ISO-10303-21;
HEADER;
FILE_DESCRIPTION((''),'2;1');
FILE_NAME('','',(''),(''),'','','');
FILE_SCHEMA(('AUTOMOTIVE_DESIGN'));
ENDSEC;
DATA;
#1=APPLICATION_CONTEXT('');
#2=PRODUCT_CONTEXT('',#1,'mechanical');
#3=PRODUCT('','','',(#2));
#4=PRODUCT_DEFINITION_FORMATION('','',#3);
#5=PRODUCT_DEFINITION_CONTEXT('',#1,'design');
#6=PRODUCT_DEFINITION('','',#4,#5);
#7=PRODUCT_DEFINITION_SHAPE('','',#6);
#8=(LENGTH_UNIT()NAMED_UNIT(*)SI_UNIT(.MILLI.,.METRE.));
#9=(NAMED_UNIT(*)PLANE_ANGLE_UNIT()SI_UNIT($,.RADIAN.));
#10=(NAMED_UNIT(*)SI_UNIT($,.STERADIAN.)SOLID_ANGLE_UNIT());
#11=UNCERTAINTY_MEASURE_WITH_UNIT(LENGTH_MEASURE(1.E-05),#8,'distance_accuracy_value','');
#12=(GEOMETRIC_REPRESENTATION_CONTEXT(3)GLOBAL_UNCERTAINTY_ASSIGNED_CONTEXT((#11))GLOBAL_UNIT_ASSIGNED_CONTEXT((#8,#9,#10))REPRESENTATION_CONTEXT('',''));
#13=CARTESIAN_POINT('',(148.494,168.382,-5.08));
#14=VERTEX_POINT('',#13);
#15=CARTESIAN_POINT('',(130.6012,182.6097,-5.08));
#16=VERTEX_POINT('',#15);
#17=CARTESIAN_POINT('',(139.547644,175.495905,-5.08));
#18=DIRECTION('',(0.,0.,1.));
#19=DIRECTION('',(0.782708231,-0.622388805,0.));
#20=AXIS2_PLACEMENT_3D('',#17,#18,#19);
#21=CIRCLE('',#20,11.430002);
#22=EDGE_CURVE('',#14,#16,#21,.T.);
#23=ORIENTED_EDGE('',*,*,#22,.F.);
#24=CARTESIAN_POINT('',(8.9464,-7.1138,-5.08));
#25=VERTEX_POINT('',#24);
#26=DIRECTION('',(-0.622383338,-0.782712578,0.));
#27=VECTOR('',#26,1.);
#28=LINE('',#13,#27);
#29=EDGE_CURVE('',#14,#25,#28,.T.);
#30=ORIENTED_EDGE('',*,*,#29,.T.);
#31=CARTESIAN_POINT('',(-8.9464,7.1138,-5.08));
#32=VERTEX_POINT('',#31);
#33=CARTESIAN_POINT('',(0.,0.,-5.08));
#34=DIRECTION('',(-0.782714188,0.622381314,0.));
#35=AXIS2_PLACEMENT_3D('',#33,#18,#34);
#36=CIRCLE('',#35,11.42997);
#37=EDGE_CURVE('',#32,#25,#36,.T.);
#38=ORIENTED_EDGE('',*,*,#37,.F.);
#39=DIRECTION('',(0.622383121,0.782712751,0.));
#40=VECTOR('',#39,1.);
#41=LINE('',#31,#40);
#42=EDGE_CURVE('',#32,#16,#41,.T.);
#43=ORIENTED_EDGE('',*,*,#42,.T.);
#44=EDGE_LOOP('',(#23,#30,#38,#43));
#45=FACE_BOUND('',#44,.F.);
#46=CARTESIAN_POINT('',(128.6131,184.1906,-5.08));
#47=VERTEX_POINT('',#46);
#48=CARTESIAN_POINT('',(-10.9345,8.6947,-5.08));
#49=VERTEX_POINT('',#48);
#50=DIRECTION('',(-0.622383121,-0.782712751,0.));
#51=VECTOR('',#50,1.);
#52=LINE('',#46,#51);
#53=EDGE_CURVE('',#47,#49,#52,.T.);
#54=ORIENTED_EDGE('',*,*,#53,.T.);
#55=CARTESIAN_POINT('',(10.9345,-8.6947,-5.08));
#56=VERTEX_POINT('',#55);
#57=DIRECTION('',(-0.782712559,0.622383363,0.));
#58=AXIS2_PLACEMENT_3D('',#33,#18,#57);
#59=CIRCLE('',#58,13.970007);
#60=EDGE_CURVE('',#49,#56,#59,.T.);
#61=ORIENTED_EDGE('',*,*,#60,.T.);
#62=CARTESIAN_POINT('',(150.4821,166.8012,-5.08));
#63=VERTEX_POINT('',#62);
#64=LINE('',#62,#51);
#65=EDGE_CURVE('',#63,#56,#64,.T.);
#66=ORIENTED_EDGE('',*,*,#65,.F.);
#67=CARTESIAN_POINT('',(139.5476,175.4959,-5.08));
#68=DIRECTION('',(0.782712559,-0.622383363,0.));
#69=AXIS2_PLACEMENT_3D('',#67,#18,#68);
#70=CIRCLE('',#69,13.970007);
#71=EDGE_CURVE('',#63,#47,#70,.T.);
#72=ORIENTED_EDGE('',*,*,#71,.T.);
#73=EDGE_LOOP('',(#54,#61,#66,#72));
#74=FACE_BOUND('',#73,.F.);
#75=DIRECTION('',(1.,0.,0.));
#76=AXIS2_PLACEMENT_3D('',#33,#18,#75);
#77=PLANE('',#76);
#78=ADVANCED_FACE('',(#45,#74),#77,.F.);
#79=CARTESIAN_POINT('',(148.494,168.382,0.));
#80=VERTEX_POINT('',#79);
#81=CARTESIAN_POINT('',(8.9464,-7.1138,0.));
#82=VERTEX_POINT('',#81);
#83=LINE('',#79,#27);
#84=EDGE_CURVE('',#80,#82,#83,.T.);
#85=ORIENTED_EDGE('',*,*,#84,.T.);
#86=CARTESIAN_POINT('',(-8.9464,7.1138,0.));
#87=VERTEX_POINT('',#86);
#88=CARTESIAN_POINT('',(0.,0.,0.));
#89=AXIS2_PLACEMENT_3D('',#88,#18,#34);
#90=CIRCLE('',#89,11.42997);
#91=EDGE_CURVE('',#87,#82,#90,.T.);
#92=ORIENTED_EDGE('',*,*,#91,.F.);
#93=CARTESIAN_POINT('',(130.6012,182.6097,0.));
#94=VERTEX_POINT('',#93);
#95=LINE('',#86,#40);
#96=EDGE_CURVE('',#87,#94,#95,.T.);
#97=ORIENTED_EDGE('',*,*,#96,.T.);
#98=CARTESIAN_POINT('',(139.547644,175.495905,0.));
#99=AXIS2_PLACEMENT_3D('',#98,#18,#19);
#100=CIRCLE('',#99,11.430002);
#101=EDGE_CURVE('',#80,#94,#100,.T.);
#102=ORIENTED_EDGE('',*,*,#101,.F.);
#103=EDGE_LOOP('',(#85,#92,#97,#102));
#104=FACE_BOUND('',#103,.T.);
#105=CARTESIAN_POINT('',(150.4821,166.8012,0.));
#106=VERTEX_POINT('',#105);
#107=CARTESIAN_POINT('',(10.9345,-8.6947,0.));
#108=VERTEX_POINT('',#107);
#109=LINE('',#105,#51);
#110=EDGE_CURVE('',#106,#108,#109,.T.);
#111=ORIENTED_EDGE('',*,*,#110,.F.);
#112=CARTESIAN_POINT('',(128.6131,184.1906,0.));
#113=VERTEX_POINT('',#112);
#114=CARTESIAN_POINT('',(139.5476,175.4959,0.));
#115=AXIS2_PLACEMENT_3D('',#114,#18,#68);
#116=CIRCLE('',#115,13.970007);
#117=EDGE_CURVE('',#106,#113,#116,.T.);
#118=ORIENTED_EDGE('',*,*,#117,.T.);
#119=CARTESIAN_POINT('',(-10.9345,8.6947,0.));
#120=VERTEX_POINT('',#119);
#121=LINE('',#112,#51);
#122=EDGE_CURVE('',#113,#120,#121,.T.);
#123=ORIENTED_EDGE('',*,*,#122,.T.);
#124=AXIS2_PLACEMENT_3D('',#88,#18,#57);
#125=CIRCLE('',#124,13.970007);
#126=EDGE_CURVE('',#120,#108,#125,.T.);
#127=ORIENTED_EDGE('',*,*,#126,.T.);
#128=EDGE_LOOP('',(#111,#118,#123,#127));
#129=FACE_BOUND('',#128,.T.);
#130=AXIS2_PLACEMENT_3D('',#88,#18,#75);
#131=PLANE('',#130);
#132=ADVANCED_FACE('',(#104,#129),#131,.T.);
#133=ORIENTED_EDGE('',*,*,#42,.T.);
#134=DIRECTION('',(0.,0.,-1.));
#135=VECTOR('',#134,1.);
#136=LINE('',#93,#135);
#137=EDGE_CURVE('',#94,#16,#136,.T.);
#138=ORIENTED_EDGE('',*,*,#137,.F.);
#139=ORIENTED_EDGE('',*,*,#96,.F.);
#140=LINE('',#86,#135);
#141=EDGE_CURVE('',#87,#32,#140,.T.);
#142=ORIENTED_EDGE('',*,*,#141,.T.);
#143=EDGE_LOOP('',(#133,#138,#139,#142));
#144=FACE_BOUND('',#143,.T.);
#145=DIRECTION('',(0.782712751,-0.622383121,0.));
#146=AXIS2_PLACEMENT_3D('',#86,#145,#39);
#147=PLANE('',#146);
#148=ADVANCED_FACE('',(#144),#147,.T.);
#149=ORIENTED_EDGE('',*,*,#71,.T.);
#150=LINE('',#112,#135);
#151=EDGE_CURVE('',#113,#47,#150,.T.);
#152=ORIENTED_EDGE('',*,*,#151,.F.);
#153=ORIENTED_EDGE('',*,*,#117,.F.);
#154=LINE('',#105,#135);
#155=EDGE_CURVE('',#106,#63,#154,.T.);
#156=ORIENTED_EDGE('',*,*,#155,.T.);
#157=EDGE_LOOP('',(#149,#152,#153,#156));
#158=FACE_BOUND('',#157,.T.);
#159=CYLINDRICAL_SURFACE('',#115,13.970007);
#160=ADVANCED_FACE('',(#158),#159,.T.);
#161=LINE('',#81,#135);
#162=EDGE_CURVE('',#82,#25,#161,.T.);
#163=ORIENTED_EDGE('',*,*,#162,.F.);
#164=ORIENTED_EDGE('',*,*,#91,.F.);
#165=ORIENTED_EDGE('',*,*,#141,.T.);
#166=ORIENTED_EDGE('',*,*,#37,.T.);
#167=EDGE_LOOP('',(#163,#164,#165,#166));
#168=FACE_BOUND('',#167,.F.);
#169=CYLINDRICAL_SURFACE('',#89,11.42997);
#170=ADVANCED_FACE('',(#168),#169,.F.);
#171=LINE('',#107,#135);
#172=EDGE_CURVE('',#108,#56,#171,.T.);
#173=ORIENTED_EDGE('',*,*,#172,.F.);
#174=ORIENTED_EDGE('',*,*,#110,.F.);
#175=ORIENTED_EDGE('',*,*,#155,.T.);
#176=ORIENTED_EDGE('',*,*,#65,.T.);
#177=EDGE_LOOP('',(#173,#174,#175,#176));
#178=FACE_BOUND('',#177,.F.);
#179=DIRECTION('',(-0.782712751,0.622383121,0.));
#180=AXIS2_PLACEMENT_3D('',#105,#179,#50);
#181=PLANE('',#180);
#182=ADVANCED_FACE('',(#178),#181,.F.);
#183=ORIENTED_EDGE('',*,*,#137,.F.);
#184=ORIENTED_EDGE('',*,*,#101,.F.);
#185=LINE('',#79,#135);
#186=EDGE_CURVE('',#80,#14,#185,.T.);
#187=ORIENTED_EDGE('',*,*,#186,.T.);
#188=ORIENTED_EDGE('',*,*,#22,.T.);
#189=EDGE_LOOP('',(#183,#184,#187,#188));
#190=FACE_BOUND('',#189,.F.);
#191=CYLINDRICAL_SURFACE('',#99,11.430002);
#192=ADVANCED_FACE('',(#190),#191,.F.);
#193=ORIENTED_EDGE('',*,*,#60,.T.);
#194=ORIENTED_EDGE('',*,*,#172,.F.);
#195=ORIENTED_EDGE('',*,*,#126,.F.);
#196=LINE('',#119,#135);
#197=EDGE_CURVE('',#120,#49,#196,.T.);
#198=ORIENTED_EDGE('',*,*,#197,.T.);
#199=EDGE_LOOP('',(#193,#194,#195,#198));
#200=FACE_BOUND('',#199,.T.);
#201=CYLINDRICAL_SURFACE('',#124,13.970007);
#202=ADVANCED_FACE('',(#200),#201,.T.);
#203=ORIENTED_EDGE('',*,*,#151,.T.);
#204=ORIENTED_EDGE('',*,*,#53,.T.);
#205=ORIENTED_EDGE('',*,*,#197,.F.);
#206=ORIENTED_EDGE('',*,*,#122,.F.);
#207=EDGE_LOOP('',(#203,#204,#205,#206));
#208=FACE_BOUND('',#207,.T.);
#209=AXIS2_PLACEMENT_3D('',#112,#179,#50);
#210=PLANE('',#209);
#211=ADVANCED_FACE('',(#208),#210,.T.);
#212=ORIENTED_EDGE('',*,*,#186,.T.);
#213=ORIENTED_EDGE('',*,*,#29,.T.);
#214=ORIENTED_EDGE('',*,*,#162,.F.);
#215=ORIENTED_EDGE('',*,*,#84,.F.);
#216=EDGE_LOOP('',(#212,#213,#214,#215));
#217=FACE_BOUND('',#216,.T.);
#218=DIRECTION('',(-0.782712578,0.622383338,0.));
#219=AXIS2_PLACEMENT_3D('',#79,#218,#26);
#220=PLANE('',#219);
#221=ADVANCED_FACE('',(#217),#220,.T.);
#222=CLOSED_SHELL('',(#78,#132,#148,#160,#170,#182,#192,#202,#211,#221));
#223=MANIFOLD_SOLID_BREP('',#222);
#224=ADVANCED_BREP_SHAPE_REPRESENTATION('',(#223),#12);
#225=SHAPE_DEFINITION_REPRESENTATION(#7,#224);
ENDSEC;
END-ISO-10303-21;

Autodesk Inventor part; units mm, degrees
ref_plane "YZ Plane" through (0, 0, 0) normal (1, 0, 0) x (0, 1, 0)
ref_plane "XZ Plane" through (0, 0, 0) normal (0, 1, 0) x (-1, 0, 0)
ref_plane "XY Plane" through (0, 0, 0) normal (0, 0, 1) x (1, 0, 0)
sketch "Sketch1" plane through (0, 0, 0) normal (0, 0, 1) x (1, 0, 0)
  arc A0 (-8.9464, 7.1138) -> (8.9464, -7.1138) centre (0, 0) ccw
  arc A1 (148.494, 168.382) -> (130.6012, 182.6097) centre (139.5476, 175.4959) ccw
  line L0 (-8.9464, 7.1138) -> (130.6012, 182.6097)
  line L1 (148.494, 168.382) -> (8.9464, -7.1138)
  arc A2 (-10.9345, 8.6947) -> (10.9345, -8.6947) centre (0, 0) ccw
  arc A3 (150.4821, 166.8012) -> (128.6131, 184.1906) centre (139.5476, 175.4959) ccw
  line L2 (128.6131, 184.1906) -> (-10.9345, 8.6947)
  line L3 (150.4821, 166.8012) -> (10.9345, -8.6947)
  dimension "d0" = 22.86
  dimension "d1" = 22.86
  dimension "d3" = 27.94
  dimension "d4" = 27.94
extrude "Extrusion1" add sketch "Sketch1" against normal blind 5.08
properties part number "Lift down banding"
